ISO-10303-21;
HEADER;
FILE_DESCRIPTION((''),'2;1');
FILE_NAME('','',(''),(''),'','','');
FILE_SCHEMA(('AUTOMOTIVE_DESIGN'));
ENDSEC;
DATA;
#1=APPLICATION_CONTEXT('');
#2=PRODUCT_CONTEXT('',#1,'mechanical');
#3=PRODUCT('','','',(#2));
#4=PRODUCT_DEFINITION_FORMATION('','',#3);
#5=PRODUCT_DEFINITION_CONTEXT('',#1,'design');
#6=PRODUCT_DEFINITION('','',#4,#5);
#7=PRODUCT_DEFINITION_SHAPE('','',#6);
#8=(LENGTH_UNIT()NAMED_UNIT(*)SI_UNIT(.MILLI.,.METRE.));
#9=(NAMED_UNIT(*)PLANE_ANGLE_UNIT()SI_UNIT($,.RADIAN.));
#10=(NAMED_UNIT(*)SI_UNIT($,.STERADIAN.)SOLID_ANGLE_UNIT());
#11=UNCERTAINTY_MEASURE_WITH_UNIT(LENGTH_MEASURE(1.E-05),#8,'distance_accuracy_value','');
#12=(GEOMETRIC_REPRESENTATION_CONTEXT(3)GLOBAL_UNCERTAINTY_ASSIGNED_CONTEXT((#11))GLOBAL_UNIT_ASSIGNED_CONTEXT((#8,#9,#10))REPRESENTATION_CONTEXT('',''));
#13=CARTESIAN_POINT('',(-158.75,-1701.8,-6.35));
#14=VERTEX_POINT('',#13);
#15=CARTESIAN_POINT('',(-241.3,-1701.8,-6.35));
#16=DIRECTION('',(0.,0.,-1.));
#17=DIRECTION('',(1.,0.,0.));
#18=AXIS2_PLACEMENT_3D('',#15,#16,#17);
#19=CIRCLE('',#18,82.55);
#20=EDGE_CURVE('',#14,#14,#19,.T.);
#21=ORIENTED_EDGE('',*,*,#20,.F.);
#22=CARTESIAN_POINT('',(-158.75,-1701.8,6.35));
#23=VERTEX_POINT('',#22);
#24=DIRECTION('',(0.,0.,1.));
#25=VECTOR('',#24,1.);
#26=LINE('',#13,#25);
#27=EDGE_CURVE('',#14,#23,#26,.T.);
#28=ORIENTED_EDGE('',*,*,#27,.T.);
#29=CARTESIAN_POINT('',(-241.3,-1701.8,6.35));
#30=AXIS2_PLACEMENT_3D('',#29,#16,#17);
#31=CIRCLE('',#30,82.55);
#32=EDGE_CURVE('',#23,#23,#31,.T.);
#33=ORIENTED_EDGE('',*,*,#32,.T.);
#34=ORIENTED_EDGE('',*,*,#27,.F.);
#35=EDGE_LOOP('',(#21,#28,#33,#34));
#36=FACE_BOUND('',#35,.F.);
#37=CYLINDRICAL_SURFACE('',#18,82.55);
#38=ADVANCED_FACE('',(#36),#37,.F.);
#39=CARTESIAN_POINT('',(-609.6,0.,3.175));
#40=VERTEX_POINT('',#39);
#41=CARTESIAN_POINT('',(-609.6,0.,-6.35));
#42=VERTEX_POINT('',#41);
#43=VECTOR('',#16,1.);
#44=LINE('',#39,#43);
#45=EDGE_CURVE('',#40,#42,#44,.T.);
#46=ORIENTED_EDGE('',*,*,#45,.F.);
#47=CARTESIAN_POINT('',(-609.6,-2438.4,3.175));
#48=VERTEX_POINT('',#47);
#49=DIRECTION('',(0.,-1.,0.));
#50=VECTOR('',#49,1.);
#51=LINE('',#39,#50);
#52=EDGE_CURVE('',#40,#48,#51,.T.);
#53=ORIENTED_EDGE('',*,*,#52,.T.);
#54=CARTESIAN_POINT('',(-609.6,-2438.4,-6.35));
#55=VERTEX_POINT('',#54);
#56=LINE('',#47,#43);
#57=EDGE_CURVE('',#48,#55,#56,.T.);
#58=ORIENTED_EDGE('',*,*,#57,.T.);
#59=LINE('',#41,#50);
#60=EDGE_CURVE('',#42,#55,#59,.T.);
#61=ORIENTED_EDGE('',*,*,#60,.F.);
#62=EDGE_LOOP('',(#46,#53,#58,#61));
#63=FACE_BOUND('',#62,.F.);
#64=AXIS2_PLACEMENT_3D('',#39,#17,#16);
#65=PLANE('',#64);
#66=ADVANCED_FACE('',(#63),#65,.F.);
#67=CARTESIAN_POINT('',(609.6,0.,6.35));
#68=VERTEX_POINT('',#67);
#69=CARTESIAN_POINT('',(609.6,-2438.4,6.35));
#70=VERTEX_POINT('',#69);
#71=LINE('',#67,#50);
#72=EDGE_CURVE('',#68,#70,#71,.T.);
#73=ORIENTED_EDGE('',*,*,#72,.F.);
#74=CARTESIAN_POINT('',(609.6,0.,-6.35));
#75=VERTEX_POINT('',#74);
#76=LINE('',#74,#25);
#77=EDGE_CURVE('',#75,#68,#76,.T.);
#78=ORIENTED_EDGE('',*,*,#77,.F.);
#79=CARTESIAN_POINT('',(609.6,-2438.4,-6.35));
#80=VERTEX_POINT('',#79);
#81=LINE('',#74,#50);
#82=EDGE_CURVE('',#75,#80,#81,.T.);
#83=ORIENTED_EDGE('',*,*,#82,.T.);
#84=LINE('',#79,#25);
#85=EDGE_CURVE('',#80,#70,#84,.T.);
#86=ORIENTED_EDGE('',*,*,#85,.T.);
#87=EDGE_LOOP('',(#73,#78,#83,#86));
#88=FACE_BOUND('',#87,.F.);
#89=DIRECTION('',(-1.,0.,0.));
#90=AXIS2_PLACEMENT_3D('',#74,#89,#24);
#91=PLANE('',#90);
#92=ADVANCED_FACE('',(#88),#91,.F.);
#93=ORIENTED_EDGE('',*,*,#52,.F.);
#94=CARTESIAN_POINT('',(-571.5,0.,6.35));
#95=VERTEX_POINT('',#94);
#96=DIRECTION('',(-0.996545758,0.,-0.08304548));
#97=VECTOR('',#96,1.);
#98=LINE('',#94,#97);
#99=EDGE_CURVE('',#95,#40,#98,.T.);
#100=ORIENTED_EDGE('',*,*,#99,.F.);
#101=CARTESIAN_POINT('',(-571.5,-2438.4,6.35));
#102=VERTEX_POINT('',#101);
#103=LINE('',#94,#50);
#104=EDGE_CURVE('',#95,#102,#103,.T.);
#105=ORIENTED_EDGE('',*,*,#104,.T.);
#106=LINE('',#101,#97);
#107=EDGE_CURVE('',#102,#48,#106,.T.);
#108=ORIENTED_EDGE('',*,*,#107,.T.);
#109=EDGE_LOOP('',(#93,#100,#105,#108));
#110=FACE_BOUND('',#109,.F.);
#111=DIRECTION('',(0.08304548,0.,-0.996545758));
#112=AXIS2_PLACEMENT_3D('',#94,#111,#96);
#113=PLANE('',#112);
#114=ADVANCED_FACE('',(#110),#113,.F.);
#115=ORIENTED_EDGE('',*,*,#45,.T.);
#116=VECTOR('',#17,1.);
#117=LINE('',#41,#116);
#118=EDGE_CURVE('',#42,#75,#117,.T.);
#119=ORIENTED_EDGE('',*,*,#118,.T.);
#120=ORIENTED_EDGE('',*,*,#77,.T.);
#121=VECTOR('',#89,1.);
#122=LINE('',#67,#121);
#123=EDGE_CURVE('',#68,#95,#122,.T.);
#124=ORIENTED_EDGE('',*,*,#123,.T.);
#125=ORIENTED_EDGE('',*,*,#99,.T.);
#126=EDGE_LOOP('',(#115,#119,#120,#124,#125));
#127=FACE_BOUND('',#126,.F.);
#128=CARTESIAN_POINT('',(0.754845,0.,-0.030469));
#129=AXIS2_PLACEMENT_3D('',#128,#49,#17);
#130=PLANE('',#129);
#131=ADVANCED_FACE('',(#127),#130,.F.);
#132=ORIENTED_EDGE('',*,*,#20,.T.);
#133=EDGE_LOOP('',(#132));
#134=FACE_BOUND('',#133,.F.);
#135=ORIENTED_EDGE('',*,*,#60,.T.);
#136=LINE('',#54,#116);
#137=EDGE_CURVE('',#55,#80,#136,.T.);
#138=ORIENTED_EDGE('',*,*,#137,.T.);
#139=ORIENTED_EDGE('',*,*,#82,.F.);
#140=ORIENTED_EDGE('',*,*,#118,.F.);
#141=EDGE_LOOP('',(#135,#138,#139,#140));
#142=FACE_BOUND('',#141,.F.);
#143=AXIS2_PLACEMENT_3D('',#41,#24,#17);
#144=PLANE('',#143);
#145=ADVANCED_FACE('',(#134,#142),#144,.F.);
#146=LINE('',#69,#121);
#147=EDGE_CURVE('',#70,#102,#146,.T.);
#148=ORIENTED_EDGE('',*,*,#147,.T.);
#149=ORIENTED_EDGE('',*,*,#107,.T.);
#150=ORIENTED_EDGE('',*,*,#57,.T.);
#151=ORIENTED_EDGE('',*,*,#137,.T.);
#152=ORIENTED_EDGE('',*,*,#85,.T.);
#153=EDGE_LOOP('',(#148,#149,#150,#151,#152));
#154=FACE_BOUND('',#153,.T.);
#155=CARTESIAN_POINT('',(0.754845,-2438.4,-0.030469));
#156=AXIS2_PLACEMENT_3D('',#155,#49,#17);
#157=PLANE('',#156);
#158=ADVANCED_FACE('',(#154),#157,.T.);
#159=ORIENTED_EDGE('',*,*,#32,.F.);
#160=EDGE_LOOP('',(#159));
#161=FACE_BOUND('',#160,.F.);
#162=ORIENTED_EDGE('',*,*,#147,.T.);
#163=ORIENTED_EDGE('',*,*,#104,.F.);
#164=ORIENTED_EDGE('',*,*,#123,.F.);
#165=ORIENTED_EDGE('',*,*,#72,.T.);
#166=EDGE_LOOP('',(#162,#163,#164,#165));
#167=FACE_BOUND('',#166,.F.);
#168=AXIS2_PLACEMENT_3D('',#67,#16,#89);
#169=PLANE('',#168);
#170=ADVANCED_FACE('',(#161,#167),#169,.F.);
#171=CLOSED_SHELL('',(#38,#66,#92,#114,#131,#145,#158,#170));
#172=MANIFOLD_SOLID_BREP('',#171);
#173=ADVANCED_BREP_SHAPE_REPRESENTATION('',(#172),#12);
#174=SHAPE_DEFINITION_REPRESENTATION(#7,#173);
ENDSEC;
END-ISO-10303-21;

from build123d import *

# Parameters (mm, degrees)
F1_DEPTH = 2438.4
F2_R     = 82.55
F3_DEPTH = 25.4


with BuildPart() as f1:
    # F0 (on Front) → F1 (new body)
    with BuildSketch(Plane.XZ):
        Polygon((609.6, 6.35), (-571.5, 6.35), (-609.6, 3.175), (-609.6, -6.35), (609.6, -6.35), align=None)
    extrude(amount=F1_DEPTH)

    # F2 (on face) → F3 (cut)
    with BuildSketch(Plane(origin=(0, 0, -6.35), x_dir=(1, 0, 0), z_dir=(0, 0, -1))):
        with Locations((-241.3, 1701.8)):
            Circle(F2_R)
    extrude(amount=-F3_DEPTH, mode=Mode.SUBTRACT)


solid = f1.part
